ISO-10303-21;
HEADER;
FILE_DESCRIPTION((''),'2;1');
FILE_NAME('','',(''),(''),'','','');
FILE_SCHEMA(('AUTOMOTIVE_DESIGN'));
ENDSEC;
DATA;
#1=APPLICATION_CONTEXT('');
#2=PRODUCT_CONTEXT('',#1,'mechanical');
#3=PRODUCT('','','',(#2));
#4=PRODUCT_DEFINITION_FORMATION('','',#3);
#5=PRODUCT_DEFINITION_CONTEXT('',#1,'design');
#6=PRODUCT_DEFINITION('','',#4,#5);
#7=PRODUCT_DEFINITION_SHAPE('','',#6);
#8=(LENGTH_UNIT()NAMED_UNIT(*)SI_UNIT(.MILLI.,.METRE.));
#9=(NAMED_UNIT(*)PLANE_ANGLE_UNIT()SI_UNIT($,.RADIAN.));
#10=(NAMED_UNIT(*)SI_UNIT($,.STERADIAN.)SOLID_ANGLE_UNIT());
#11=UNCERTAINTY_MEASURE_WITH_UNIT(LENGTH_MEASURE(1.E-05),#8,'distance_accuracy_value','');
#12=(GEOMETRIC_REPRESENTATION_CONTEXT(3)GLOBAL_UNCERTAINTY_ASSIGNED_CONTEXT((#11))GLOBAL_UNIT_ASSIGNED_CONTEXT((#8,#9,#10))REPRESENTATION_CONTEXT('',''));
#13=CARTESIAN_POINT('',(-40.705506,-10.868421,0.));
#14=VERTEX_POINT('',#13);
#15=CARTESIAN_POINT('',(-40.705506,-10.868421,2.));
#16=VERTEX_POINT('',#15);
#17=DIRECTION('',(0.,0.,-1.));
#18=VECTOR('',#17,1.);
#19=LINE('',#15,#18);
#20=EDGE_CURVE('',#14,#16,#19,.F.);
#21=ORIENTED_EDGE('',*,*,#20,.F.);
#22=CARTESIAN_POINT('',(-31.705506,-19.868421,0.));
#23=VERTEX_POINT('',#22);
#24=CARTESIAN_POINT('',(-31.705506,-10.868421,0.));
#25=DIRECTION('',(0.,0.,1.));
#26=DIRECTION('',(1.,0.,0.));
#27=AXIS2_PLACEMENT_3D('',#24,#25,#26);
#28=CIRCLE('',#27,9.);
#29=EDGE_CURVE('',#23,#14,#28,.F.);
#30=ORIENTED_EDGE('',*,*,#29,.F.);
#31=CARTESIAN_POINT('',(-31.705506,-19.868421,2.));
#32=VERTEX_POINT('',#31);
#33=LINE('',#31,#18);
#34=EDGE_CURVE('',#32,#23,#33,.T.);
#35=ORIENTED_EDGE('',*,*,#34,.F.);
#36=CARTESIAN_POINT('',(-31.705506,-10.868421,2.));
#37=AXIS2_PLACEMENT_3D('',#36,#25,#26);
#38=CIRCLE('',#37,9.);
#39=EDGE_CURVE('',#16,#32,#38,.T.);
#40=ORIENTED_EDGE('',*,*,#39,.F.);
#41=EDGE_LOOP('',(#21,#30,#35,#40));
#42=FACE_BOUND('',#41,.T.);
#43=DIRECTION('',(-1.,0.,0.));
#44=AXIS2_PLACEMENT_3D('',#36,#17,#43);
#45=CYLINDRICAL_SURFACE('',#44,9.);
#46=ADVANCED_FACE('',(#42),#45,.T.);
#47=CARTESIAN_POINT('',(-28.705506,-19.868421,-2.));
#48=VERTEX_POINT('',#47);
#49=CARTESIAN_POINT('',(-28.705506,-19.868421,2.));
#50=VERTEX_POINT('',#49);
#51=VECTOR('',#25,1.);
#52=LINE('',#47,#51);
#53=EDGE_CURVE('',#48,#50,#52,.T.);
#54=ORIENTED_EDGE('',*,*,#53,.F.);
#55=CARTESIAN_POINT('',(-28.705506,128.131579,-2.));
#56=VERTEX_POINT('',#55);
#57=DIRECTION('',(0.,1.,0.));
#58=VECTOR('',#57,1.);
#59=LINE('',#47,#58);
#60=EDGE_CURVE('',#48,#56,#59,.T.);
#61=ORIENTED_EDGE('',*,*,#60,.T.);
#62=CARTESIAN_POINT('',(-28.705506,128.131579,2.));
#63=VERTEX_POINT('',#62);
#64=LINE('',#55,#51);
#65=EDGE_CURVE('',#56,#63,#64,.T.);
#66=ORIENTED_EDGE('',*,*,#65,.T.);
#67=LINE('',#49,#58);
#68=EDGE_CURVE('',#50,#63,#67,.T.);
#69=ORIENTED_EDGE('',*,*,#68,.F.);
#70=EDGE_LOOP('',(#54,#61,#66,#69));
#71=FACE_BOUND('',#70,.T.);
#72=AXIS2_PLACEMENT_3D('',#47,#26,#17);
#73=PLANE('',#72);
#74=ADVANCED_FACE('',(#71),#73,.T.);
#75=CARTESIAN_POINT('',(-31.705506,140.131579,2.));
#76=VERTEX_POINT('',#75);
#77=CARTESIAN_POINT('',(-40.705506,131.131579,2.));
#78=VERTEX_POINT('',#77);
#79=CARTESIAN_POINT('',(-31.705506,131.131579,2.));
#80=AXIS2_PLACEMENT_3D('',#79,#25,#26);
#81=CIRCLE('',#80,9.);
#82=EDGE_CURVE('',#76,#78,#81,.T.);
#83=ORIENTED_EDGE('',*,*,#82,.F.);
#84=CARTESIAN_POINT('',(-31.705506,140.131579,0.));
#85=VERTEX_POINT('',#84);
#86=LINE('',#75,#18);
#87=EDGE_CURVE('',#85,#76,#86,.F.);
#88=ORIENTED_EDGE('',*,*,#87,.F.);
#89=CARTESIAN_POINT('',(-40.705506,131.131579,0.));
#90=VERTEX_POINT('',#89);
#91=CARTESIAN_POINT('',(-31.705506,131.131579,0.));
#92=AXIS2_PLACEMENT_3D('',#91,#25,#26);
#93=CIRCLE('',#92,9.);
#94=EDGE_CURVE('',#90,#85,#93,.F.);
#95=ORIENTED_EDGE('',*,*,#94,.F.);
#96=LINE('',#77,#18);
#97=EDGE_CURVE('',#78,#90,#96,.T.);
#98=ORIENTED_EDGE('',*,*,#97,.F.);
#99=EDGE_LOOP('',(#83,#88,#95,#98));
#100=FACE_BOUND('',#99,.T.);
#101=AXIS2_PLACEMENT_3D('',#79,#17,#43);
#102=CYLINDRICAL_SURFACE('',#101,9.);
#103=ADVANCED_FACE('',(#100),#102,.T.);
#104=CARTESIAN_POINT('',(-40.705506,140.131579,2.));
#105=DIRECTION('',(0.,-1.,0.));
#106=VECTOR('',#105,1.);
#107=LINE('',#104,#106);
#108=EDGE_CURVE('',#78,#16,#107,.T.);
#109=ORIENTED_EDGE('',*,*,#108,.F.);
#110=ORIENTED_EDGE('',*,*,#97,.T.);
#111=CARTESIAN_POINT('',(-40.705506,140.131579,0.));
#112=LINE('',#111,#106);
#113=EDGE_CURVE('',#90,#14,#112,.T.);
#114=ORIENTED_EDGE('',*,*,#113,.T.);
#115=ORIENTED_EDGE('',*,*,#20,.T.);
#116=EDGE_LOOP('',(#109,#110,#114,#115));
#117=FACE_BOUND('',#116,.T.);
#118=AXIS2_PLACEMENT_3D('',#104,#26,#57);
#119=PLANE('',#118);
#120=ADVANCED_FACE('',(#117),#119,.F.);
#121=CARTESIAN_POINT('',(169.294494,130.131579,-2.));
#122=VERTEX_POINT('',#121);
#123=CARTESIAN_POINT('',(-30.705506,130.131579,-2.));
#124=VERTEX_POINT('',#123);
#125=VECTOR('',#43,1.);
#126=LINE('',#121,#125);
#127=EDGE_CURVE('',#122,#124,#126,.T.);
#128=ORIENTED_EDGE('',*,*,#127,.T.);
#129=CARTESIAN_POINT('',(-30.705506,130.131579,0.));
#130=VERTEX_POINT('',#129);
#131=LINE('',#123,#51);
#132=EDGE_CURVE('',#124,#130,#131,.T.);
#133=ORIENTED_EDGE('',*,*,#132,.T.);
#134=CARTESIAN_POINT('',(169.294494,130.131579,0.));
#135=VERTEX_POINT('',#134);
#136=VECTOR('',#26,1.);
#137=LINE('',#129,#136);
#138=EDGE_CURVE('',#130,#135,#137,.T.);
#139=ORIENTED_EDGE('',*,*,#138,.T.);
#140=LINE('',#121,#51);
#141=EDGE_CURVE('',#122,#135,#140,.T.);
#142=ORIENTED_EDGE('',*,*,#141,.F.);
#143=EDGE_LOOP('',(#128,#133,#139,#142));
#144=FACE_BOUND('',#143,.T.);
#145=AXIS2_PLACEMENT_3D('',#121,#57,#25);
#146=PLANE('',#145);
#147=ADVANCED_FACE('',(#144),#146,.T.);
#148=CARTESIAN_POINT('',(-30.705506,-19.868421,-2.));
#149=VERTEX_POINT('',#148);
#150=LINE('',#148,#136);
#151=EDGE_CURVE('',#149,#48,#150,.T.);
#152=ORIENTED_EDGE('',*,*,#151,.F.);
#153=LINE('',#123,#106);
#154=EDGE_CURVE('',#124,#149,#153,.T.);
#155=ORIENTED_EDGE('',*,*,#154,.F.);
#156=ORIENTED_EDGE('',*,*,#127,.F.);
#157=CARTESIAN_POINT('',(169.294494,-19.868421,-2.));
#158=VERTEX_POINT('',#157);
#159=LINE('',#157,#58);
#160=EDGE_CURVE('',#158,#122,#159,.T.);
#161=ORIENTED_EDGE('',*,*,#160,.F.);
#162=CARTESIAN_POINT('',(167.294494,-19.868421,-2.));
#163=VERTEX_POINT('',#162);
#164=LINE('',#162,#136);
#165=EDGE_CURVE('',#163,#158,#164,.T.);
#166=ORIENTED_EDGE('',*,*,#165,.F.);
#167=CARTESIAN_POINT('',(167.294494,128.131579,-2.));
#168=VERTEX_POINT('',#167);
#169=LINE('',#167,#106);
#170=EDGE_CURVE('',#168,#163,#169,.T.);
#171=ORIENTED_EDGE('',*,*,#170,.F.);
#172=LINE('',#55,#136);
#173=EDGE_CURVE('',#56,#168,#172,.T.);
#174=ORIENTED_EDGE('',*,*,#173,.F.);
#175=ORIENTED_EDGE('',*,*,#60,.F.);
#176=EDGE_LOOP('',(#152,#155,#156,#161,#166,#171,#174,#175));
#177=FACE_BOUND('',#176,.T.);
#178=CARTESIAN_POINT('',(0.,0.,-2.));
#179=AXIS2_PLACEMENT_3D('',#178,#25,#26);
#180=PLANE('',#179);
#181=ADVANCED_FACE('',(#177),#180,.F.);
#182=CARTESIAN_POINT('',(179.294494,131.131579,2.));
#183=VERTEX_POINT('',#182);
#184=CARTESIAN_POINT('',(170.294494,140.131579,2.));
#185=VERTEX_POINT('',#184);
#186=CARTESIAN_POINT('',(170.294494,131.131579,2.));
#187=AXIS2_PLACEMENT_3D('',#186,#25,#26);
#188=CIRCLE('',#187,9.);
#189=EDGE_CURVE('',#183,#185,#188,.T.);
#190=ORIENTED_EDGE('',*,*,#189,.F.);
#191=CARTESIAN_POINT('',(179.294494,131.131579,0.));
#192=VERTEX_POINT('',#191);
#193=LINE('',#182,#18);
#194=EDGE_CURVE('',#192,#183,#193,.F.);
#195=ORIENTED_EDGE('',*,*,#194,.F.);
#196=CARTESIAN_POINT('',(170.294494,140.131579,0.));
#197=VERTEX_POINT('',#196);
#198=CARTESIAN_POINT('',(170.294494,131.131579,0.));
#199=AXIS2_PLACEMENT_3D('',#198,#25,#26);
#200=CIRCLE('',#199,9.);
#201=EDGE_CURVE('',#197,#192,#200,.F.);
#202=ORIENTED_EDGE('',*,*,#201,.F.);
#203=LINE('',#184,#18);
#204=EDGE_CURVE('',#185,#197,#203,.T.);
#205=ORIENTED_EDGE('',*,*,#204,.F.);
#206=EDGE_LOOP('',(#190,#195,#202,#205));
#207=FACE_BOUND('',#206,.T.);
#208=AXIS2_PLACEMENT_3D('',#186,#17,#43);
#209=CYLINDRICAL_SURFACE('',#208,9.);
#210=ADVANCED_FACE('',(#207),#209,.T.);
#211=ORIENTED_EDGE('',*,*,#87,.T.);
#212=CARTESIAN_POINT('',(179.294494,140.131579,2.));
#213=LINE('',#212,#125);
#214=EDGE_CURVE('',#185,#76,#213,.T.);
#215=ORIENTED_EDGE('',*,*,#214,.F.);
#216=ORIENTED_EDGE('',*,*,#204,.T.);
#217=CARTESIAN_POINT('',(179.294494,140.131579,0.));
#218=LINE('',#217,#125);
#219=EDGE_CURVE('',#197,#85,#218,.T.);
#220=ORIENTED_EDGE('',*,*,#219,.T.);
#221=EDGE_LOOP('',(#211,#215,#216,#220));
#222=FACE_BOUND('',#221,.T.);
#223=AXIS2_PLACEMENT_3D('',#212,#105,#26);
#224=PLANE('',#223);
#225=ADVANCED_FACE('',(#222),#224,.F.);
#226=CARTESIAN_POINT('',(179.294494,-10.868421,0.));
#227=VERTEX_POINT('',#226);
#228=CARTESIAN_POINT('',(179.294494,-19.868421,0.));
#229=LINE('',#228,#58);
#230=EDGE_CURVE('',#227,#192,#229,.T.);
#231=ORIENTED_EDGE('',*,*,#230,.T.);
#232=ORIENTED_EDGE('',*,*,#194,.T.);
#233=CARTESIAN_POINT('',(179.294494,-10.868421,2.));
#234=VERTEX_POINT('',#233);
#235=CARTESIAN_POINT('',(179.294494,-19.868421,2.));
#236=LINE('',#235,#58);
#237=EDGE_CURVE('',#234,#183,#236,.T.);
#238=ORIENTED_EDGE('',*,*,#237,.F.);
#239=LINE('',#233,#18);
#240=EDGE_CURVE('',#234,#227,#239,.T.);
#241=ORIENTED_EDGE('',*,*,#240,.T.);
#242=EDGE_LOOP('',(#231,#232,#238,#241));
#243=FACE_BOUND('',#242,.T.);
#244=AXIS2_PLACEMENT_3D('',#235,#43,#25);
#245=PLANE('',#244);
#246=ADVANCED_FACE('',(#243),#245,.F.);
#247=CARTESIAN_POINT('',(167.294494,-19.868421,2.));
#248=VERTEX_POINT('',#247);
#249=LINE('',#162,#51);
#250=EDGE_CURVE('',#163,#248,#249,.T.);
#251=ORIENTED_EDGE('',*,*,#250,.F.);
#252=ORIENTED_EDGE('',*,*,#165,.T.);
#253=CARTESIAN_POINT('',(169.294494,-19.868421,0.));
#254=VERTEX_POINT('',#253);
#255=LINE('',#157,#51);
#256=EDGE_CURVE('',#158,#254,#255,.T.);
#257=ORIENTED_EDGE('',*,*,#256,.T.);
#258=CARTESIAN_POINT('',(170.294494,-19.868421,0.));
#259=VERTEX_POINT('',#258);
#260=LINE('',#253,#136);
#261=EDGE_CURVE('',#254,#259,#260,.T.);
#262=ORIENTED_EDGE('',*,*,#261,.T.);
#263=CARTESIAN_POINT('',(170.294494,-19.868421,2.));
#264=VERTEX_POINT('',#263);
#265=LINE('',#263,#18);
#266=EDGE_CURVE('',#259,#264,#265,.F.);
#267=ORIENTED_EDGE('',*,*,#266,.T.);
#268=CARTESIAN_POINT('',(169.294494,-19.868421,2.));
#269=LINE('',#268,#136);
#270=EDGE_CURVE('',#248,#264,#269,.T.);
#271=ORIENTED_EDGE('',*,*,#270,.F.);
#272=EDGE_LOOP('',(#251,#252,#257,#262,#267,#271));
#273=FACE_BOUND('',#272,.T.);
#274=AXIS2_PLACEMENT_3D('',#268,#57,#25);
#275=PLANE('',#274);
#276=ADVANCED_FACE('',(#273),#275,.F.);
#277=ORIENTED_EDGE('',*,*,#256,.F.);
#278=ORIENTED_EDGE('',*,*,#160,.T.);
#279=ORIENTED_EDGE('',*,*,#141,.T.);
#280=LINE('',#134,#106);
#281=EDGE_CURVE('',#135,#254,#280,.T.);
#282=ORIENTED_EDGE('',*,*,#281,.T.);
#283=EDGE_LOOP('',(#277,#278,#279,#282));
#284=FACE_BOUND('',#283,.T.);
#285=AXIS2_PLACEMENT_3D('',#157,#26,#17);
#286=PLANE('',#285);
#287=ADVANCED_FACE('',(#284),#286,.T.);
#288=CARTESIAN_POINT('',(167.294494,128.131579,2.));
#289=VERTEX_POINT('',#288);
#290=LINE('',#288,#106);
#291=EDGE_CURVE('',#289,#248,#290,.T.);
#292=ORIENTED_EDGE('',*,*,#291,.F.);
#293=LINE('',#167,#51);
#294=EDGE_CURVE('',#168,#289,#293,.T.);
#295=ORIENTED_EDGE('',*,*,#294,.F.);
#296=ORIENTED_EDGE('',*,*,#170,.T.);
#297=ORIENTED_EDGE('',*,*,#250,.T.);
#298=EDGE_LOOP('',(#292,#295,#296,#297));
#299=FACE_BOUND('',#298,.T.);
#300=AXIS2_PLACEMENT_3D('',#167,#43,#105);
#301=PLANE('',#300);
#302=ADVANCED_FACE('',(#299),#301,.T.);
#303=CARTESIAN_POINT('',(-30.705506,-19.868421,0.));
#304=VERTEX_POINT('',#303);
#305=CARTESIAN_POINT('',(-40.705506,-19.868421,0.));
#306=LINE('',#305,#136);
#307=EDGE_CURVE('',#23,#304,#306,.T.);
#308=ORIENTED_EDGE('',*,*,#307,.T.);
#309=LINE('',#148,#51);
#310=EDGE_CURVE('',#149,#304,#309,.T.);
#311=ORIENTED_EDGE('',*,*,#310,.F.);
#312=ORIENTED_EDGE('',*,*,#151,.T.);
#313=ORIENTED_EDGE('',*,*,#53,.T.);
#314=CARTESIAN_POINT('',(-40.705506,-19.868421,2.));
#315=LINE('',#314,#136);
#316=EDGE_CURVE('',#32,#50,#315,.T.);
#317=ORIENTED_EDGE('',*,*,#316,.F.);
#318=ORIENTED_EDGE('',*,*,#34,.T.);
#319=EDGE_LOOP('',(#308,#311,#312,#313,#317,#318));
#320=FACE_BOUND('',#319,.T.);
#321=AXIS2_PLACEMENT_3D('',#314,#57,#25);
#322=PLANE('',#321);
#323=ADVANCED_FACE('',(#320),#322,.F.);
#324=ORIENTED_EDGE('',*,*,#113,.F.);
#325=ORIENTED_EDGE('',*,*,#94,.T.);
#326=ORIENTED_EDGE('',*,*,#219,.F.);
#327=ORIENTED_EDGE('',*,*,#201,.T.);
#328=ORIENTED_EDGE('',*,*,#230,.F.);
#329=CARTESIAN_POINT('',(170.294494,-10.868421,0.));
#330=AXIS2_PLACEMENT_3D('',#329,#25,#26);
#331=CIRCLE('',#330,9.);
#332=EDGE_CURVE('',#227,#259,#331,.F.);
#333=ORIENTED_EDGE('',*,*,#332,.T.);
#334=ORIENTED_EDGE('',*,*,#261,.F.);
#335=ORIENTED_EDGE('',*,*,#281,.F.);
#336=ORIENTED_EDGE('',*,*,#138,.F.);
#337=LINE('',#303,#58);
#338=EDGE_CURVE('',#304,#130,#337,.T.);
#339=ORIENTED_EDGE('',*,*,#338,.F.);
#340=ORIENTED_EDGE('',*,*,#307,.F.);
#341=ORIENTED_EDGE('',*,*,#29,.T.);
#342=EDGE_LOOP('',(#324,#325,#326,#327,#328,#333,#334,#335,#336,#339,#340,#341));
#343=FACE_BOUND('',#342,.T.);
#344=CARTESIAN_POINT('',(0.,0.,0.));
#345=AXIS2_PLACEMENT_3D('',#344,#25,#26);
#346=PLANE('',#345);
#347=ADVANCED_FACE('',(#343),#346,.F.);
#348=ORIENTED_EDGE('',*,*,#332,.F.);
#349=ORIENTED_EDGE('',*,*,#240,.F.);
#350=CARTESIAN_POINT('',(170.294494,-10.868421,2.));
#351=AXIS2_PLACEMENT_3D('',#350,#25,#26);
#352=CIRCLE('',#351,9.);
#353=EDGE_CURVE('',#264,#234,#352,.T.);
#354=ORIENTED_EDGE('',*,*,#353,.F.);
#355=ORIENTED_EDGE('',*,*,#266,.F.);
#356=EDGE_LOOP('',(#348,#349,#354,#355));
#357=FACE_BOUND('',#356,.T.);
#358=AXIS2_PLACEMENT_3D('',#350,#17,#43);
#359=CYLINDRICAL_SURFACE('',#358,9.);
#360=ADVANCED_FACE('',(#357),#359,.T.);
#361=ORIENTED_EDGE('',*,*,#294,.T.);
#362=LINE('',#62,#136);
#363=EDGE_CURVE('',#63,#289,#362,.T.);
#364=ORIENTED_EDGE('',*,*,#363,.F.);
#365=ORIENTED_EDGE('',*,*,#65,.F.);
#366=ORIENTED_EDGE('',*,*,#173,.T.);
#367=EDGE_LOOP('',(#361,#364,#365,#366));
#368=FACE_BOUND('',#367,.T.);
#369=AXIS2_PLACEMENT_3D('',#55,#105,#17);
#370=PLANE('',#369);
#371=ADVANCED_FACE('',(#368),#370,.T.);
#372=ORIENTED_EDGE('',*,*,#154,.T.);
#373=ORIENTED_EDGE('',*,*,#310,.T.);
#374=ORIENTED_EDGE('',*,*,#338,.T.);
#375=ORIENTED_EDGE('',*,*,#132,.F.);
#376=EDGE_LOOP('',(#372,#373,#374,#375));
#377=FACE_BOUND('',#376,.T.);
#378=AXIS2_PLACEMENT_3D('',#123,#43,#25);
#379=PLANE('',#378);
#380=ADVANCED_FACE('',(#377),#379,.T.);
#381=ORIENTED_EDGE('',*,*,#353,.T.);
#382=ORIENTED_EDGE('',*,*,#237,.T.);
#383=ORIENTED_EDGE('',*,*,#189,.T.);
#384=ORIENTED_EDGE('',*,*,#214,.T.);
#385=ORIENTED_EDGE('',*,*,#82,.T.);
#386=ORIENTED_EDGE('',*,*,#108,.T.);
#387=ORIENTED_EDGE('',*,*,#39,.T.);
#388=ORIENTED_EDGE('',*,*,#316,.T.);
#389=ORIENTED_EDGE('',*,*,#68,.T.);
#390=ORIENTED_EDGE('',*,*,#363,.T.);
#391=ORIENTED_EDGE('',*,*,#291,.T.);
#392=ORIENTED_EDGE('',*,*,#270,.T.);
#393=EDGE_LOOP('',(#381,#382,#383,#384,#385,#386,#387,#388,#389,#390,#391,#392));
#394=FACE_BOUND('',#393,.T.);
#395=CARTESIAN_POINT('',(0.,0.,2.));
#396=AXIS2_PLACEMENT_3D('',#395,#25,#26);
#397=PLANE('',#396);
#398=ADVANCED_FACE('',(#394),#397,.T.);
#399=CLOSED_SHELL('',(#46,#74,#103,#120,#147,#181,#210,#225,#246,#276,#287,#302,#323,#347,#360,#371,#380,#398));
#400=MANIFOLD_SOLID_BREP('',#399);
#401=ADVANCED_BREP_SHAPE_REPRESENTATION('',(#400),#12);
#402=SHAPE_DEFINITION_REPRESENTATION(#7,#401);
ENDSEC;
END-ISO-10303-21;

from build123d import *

# Parameters (mm, degrees)
BOSS_EXTRU_1_DEPTH = 2
BOSS_EXTRU_2_START = 2
BOSS_EXTRU_2_DEPTH = 4
CONG_1_R           = 9


with BuildPart() as part:
    # Esquisse1 → Boss.-Extru.1 (new body)
    with BuildSketch(Plane.XY):
        Polygon((-40.70550554, -19.868421053), (-30.70550554, -19.868421053), (-30.70550554, 130.131578947), (169.29449446, 130.131578947), (169.29449446, -19.868421053), (179.29449446, -19.868421053), (179.29449446, 140.131578947), (-40.70550554, 140.131578947), align=None)
    extrude(amount=BOSS_EXTRU_1_DEPTH)

    # Esquisse2 → Boss.-Extru.2 (add)
    with BuildSketch(Plane.XY.offset(BOSS_EXTRU_2_START)):
        Polygon((-30.70550554, -19.868421053), (-28.70550554, -19.868421053), (-28.70550554, 128.131578947), (167.29449446, 128.131578947), (167.29449446, -19.868421053), (169.29449446, -19.868421053), (169.29449446, 130.131578947), (-30.70550554, 130.131578947), align=None)
    extrude(amount=-BOSS_EXTRU_2_DEPTH)

    # Congé1
    cong_1_edges = [part.edges().sort_by_distance(p)[0] for p in [
        (-40.70550554, 140.131578947, 1),
        (179.29449446, 140.131578947, 1),
        (179.29449446, -19.868421053, 1),
        (-40.70550554, -19.868421053, 1),
    ]]
    fillet(cong_1_edges, radius=CONG_1_R)


solid = part.part
